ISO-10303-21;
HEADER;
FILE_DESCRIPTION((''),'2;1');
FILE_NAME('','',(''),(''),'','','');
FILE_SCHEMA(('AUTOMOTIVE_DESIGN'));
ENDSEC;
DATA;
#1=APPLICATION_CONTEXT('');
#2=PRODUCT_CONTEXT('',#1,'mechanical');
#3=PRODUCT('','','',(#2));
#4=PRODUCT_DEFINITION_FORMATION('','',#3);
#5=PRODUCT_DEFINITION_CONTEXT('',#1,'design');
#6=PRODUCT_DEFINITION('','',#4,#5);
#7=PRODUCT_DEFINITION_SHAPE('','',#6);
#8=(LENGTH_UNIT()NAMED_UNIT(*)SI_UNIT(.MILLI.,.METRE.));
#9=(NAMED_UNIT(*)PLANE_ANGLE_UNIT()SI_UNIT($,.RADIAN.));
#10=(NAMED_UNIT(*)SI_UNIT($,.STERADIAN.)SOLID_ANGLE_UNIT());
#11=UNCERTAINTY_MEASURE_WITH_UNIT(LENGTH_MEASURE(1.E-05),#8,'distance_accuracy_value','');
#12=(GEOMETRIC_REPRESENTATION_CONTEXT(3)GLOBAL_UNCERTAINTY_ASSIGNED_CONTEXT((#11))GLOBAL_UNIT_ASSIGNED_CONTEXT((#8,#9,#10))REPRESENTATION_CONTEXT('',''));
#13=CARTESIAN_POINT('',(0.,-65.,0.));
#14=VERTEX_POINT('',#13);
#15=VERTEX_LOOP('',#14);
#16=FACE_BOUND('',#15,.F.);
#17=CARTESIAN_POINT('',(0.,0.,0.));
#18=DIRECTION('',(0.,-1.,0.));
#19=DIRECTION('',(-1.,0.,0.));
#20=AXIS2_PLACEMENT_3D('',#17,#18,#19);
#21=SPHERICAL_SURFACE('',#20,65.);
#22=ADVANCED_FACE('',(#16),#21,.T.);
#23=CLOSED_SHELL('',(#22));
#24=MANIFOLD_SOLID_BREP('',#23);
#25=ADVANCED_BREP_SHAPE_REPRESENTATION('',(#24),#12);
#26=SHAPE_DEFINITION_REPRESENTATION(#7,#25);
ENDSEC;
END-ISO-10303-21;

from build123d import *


with BuildPart() as part:
    # Sketch1 → Revolve1 (revolve)
    with BuildSketch(Plane.XY):
        with BuildLine():
            Line((0, -65), (0, 65))
            ThreePointArc((0, 65), (-65, 0), (0, -65))
        make_face()
    revolve(axis=Axis((0, -65, 0), (0, 1, 0)))


solid = part.part
